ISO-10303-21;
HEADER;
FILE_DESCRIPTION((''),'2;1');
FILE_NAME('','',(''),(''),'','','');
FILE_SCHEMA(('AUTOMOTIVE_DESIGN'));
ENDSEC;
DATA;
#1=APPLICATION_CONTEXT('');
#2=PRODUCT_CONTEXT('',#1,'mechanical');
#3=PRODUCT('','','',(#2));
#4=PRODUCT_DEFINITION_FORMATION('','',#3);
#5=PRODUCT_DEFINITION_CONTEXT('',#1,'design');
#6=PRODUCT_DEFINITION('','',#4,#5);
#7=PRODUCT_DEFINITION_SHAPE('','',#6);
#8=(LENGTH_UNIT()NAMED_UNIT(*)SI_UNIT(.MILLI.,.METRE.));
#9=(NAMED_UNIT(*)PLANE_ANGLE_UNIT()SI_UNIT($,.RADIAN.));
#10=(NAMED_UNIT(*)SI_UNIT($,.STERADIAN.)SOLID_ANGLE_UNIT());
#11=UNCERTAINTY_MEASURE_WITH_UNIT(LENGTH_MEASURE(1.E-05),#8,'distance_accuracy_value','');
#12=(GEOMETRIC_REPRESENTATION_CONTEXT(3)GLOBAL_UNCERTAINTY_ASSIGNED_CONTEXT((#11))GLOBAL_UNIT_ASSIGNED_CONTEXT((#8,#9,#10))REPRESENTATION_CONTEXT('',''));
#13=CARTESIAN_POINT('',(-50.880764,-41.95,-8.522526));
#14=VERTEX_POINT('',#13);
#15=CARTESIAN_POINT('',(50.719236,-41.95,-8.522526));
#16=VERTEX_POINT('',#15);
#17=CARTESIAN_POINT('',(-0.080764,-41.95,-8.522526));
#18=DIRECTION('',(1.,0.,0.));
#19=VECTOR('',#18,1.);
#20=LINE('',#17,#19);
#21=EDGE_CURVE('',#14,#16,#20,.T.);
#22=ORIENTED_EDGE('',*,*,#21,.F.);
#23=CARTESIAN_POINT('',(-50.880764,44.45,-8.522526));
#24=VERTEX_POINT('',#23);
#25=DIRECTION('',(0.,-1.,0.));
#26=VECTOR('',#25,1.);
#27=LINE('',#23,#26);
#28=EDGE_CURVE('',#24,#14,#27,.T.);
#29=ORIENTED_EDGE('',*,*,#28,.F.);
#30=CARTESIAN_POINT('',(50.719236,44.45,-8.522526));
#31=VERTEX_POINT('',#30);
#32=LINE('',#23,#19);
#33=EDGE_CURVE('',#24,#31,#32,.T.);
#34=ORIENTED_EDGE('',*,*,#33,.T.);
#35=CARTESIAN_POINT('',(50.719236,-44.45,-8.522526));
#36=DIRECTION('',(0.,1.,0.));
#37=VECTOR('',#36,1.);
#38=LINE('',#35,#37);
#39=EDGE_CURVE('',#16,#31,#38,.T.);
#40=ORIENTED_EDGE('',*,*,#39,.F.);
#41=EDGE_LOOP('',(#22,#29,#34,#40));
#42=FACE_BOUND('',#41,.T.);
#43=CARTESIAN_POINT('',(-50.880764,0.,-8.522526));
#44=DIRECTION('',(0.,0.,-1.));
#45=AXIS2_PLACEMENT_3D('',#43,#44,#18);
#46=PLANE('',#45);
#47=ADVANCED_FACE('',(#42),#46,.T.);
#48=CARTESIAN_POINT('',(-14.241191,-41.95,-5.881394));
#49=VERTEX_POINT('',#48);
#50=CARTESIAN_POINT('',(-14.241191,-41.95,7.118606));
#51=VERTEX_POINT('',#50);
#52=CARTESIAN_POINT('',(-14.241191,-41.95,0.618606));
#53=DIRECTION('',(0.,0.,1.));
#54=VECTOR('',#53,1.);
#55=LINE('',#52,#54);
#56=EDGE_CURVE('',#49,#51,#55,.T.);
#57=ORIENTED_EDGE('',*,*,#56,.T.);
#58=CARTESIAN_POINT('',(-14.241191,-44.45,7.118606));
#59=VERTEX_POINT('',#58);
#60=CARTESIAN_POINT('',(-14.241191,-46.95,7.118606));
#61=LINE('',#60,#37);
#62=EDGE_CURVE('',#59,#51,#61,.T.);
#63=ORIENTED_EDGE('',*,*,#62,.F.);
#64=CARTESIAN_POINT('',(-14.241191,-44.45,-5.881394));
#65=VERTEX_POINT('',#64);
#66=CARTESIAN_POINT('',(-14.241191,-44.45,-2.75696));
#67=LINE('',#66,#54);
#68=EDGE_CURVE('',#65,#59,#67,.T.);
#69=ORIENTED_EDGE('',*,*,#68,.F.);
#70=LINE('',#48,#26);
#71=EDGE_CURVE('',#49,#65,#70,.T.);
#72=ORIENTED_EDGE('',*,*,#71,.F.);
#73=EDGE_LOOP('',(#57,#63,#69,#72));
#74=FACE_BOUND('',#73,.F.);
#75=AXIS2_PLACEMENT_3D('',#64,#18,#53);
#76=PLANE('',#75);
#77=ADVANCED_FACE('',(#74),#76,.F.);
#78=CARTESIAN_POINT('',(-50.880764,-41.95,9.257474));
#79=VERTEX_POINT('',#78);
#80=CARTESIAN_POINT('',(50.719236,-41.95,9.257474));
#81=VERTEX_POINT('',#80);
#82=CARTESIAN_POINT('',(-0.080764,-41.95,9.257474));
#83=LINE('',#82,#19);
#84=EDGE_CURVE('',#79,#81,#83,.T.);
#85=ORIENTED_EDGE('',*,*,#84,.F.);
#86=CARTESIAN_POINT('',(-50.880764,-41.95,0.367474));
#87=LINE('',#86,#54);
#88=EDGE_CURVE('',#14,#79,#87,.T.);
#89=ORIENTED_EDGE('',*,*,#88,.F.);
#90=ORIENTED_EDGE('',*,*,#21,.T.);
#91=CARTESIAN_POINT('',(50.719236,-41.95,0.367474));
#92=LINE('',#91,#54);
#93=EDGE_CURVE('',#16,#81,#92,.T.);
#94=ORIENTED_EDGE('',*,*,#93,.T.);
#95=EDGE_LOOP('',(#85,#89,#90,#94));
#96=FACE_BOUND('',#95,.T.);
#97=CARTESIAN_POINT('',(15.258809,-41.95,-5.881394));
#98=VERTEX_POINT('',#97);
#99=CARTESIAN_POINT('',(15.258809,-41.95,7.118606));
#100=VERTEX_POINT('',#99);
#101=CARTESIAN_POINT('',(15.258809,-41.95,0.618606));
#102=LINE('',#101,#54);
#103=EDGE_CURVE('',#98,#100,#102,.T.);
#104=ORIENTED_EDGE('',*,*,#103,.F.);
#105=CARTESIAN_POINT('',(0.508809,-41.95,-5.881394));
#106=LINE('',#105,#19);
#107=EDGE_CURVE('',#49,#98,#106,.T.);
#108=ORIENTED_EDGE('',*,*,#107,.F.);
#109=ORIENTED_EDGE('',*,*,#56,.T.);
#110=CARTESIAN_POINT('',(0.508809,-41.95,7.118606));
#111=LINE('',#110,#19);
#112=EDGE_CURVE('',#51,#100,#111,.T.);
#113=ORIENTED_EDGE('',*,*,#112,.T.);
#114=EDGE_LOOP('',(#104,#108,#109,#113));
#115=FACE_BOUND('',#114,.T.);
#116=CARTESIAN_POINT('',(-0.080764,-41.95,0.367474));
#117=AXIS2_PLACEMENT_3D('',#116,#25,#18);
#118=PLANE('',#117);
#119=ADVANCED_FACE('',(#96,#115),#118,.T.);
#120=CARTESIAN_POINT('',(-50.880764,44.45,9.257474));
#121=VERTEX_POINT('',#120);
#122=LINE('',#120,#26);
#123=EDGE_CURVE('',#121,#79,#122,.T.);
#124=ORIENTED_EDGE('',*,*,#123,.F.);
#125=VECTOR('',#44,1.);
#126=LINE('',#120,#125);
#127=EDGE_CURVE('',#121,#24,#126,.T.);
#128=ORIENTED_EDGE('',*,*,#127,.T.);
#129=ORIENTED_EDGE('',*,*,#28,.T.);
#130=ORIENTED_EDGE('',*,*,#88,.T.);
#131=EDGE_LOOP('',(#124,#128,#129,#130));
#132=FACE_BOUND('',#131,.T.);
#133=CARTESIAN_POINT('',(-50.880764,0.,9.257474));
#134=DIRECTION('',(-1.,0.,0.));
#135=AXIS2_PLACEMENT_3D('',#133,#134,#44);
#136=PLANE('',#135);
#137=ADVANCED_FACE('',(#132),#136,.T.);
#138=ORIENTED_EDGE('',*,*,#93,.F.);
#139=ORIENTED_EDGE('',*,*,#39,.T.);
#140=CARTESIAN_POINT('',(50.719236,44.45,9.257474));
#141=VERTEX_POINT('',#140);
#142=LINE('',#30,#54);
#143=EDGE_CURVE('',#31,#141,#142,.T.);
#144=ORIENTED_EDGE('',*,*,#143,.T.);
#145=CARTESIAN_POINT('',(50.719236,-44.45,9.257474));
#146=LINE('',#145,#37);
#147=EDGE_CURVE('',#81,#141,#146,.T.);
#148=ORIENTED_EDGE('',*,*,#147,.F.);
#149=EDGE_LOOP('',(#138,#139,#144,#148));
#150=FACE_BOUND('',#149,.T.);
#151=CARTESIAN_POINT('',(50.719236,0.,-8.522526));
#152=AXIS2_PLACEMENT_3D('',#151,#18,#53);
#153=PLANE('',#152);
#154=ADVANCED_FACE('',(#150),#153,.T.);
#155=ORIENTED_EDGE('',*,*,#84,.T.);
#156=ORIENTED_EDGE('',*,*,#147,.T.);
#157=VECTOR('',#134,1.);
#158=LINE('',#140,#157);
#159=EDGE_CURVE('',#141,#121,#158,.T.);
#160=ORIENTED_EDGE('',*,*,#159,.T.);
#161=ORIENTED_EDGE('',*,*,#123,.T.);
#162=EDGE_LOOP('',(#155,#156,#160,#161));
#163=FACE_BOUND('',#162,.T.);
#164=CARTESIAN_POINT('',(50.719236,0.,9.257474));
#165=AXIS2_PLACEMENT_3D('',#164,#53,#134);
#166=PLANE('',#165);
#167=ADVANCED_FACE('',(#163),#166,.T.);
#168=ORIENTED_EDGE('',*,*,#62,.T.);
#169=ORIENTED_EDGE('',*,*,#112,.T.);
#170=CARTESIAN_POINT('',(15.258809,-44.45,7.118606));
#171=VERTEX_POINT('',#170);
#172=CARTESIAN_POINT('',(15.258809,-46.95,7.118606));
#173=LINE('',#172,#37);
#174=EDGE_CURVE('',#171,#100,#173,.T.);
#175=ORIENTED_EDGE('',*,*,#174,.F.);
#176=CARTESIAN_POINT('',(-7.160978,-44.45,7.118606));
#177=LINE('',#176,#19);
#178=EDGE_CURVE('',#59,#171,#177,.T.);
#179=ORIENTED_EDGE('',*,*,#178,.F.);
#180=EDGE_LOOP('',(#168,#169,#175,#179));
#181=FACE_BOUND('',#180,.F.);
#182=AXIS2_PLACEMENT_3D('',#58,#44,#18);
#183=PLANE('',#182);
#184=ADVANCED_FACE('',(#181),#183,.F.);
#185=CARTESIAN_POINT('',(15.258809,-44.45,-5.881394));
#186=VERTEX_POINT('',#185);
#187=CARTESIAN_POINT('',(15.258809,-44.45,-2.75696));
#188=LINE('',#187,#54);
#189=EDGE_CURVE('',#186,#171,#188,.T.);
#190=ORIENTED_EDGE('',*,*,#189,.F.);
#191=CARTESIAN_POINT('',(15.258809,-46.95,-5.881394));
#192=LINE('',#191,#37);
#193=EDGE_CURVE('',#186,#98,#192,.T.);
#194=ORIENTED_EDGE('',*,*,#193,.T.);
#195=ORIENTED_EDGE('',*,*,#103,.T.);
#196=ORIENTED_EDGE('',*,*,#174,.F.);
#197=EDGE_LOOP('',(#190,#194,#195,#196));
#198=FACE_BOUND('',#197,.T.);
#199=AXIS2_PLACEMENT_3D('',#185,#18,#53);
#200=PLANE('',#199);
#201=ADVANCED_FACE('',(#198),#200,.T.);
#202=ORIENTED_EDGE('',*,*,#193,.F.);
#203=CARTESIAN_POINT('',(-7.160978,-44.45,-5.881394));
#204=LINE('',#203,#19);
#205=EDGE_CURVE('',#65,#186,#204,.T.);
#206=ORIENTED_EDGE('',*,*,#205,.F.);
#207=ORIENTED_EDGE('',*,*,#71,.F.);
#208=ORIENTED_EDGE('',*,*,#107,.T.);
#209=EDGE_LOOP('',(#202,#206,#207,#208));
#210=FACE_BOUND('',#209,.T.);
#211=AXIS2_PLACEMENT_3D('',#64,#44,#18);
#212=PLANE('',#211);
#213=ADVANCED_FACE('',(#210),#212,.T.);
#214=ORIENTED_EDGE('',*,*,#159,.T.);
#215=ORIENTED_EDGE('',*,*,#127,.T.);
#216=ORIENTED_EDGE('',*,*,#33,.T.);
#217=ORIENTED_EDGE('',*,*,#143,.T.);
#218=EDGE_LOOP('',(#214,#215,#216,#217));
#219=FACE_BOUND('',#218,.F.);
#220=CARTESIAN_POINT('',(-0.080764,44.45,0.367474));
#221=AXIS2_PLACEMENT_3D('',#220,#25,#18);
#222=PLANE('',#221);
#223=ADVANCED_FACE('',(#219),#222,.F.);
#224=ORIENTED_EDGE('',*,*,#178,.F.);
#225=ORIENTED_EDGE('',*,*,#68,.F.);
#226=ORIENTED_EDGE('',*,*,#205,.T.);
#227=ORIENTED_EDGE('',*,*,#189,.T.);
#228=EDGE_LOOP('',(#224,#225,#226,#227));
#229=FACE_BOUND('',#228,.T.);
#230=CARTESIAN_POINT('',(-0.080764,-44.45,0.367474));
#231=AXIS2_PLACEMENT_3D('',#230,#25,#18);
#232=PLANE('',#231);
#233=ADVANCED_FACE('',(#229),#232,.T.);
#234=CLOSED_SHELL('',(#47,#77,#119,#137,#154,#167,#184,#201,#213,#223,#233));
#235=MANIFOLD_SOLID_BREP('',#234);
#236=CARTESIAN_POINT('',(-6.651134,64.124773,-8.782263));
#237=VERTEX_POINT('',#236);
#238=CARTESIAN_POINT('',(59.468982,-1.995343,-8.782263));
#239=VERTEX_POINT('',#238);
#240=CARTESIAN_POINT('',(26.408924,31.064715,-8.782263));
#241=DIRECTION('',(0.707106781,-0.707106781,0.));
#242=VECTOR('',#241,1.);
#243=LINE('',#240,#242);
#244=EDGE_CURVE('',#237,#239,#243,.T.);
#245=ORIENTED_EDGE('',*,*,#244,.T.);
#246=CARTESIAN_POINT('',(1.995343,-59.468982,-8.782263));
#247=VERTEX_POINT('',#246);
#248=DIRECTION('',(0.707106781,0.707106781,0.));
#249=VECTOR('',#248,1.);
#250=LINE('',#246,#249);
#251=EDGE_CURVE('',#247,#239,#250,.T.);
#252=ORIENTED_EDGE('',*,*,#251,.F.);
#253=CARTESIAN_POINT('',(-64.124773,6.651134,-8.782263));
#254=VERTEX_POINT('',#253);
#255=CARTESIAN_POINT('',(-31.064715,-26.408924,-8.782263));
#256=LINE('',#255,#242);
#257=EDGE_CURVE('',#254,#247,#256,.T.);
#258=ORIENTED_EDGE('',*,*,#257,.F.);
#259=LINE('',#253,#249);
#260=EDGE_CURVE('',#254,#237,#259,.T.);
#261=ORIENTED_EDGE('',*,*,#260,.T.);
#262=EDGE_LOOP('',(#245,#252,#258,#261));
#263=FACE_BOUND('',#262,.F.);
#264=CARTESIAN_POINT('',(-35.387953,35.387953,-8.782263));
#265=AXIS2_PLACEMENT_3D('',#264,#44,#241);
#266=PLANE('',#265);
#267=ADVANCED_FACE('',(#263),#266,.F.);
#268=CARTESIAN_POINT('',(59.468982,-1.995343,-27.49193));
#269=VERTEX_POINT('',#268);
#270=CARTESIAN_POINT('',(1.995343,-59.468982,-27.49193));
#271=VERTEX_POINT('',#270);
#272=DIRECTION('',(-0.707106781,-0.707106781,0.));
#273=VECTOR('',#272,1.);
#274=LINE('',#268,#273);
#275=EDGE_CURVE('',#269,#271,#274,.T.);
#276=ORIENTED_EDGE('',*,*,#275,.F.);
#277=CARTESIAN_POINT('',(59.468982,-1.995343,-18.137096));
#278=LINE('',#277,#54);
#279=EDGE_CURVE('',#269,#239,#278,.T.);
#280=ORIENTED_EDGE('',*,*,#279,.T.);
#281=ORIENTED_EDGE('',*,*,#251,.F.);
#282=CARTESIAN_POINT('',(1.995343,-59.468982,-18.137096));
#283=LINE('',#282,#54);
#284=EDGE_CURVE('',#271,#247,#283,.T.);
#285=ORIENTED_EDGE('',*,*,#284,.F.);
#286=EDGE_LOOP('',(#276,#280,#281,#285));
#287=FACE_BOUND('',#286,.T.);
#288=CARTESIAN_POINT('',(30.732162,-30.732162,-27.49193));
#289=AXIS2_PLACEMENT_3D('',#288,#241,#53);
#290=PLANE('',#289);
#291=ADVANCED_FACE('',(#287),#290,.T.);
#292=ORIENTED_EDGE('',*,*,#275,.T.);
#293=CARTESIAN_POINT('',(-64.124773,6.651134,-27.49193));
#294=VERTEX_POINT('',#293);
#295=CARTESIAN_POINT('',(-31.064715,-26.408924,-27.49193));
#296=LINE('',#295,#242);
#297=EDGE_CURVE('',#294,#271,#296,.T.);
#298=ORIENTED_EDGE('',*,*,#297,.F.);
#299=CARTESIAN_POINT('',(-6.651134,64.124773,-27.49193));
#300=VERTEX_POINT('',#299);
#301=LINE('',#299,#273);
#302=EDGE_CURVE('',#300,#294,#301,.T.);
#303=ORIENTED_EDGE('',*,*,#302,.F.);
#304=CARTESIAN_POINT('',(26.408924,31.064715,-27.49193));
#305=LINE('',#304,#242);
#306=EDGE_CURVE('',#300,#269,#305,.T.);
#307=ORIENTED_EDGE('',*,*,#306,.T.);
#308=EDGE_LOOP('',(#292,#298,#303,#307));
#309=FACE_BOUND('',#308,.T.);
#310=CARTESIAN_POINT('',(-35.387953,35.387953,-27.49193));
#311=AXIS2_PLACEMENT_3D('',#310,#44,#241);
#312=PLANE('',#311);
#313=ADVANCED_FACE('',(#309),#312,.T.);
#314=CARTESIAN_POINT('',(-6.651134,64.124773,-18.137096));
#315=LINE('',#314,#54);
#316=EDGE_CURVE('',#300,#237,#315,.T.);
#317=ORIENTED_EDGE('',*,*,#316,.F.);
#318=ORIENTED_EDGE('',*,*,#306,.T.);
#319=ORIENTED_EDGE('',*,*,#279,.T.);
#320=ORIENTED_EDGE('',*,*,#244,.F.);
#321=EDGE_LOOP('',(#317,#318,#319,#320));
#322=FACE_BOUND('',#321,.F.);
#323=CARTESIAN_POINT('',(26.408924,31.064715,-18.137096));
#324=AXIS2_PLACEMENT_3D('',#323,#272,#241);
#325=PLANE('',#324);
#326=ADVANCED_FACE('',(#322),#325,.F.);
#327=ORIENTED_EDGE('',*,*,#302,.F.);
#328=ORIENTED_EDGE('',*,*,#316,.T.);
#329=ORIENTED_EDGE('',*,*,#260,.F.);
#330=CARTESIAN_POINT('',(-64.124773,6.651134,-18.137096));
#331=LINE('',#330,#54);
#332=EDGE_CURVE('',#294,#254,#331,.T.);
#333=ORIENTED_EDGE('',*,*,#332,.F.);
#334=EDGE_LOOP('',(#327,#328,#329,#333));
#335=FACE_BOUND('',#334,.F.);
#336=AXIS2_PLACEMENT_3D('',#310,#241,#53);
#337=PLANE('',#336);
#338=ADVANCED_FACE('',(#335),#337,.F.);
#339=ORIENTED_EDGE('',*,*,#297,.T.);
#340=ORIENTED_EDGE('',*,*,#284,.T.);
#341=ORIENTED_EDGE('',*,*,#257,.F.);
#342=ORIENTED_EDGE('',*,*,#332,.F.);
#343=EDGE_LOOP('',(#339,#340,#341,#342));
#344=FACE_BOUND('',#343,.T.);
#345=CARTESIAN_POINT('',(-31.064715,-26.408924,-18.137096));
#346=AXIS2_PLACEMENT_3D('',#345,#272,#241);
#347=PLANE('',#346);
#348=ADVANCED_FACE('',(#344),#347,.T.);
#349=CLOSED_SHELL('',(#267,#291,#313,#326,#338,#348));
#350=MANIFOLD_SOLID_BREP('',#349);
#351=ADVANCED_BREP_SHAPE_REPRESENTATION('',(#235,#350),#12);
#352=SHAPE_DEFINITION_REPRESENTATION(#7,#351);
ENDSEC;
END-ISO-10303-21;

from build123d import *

# Parameters (mm, degrees)
F1_DEPTH = 44.45
F2_W     = 101.6
F2_H     = 17.78
F2_W_2   = 29.5
F2_H_2   = 13
F3_DEPTH = 2.5
F5_W     = 93.507964164
F5_H     = 18.709667027
F6_DEPTH = 40.64


with BuildPart() as f1:
    # F0 (on Front) → F1 (new body, symmetric)
    with BuildSketch(Plane.XZ):
        Polygon((50.7192363203, 9.257473639), (-50.8807636797, 9.257473639), (-50.8807636797, -8.522526361), (0, -8.522526361), (50.7192363203, -8.522526361), align=None)
    extrude(amount=F1_DEPTH, both=True)

    # F2 (on face) → F3 (cut, symmetric)
    with BuildSketch(Plane.XZ.offset(44.45)):
        with Locations((-0.0807636797, 0.367473639)):
            Rectangle(F2_W, F2_H)
        with Locations((0.5088085309, 0.618605656)):
            Rectangle(F2_W_2, F2_H_2, mode=Mode.SUBTRACT)
    extrude(amount=F3_DEPTH, both=True, mode=Mode.SUBTRACT)


with BuildPart() as f6:
    # F5 (on face) → F6 (new body, symmetric)
    with BuildSketch(Plane(origin=(0, 0, 0), x_dir=(0.7071067812, -0.7071067812, 0), z_dir=(-0.7071067812, -0.7071067812, 0))):
        with Locations((-3.2921414822, -18.1370964274)):
            Rectangle(F5_W, F5_H)
    extrude(amount=F6_DEPTH, both=True)


solid = Compound([f1.part, f6.part])
